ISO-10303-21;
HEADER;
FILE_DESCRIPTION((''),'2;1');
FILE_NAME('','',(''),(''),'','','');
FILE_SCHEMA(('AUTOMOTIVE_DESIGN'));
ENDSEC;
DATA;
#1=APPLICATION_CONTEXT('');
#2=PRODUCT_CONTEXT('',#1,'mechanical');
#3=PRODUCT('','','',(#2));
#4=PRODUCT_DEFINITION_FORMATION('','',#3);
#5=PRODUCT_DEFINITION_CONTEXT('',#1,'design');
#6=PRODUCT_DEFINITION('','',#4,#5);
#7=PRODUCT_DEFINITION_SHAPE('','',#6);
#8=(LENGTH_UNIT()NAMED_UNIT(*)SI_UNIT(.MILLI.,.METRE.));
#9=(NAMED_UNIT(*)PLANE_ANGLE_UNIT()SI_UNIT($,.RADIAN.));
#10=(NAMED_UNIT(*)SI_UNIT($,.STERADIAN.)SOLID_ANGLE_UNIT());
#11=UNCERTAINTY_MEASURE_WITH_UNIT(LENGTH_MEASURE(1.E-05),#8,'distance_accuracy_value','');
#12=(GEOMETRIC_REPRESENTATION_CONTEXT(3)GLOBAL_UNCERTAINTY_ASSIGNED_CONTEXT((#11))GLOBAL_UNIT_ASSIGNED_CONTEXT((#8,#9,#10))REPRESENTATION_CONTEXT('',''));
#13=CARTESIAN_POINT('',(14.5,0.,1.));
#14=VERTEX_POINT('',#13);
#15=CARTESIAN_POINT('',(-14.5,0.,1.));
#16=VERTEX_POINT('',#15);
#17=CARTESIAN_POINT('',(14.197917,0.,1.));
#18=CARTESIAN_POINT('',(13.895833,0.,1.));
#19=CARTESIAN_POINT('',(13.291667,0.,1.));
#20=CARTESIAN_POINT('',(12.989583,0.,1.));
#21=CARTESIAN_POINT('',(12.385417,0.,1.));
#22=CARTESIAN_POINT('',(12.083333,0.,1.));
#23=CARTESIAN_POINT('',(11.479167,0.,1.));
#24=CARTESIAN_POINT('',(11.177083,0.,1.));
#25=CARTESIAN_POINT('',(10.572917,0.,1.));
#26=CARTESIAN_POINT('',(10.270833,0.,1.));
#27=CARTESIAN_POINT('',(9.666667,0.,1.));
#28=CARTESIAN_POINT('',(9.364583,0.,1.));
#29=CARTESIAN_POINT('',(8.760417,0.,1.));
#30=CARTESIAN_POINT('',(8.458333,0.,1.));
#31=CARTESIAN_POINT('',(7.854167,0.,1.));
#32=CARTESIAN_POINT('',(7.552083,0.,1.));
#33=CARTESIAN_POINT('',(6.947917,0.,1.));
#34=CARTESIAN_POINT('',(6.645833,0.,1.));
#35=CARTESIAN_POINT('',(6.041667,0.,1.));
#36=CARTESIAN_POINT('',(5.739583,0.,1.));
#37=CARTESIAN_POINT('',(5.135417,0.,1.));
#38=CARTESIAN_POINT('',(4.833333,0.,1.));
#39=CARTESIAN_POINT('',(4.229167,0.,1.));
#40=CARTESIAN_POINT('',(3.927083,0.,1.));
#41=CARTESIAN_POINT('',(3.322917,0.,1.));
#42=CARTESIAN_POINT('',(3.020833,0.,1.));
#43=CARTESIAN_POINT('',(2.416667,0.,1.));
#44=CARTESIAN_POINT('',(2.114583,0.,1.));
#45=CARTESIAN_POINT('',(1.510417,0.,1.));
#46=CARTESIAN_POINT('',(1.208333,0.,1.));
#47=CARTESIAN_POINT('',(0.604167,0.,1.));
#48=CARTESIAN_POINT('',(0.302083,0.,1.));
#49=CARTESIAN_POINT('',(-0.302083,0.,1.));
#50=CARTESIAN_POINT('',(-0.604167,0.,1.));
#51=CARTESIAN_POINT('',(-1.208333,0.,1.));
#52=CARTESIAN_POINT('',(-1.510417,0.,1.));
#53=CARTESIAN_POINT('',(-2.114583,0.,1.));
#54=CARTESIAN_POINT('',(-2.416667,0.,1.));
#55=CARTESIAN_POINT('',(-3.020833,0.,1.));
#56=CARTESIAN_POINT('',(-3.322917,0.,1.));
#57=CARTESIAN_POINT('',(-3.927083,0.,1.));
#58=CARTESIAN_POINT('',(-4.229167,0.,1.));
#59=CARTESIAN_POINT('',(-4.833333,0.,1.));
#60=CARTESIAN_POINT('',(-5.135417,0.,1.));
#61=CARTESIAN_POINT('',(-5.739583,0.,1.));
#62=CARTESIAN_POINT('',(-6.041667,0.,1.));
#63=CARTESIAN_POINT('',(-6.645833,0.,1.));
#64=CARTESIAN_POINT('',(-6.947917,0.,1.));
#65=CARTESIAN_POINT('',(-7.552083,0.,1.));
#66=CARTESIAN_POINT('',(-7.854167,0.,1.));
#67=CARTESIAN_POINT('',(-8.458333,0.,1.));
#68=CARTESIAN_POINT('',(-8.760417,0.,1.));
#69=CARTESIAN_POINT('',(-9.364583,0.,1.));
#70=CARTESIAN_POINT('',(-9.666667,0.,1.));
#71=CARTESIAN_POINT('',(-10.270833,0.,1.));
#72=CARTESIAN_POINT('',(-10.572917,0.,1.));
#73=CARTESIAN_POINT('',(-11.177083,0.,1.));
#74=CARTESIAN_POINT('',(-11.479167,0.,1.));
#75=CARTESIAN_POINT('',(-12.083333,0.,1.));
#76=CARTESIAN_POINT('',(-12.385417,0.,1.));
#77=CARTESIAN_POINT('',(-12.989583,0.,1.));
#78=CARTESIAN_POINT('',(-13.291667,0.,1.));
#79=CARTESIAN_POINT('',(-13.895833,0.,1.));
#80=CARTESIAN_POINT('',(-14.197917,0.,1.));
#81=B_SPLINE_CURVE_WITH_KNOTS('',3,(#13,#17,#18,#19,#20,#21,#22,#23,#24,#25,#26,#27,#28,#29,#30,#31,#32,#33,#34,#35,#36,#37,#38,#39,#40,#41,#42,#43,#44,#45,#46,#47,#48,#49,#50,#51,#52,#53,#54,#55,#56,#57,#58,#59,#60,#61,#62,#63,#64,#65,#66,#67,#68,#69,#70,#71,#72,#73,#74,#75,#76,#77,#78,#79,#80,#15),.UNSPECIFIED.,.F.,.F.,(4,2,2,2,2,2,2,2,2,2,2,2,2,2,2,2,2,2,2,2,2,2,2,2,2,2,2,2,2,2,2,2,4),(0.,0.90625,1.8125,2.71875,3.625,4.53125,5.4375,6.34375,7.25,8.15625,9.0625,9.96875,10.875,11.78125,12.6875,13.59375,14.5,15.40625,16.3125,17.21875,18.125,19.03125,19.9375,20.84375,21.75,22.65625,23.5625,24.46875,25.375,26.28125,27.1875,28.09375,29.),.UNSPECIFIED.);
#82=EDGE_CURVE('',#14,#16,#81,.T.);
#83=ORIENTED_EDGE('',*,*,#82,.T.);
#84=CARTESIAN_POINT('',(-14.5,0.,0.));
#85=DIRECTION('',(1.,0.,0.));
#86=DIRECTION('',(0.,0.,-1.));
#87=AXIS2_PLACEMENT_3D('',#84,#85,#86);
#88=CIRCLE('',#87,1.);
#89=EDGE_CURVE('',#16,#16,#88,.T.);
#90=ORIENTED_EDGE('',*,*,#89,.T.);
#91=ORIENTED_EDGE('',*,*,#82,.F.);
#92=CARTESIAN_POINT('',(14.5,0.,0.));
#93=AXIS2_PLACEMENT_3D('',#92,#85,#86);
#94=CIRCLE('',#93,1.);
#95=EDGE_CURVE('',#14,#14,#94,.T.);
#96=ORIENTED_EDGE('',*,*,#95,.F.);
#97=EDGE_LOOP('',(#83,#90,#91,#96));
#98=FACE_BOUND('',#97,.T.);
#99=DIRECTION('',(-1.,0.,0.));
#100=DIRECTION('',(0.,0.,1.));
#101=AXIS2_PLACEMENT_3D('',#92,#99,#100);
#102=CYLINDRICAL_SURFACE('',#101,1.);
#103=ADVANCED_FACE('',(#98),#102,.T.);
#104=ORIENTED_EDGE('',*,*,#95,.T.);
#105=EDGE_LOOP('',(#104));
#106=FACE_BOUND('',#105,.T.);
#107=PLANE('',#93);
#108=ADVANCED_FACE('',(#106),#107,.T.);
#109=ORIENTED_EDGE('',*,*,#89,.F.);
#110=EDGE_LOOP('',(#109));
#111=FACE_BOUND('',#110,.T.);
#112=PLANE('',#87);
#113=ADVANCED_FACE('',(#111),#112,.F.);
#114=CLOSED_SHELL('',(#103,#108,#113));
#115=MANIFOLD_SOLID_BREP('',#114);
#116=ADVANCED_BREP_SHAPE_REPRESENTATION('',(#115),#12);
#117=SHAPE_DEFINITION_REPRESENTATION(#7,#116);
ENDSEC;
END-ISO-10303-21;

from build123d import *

# Parameters (mm, degrees)
SKETCH_1_R      = 1
EXTRUDE_1_DEPTH = 14.5


with BuildPart() as part:
    # Эскиз1 → Бобышка-Вытянуть1 (new, symmetric)
    with BuildSketch(Plane(origin=(0, 0, 0), x_dir=(0, 0, -1), z_dir=(1, 0, 0))):
        with Locations(Location((0, 0, 0), (0, 0, 180))):
            Circle(SKETCH_1_R)
    extrude(amount=EXTRUDE_1_DEPTH, both=True)


solid = part.part
